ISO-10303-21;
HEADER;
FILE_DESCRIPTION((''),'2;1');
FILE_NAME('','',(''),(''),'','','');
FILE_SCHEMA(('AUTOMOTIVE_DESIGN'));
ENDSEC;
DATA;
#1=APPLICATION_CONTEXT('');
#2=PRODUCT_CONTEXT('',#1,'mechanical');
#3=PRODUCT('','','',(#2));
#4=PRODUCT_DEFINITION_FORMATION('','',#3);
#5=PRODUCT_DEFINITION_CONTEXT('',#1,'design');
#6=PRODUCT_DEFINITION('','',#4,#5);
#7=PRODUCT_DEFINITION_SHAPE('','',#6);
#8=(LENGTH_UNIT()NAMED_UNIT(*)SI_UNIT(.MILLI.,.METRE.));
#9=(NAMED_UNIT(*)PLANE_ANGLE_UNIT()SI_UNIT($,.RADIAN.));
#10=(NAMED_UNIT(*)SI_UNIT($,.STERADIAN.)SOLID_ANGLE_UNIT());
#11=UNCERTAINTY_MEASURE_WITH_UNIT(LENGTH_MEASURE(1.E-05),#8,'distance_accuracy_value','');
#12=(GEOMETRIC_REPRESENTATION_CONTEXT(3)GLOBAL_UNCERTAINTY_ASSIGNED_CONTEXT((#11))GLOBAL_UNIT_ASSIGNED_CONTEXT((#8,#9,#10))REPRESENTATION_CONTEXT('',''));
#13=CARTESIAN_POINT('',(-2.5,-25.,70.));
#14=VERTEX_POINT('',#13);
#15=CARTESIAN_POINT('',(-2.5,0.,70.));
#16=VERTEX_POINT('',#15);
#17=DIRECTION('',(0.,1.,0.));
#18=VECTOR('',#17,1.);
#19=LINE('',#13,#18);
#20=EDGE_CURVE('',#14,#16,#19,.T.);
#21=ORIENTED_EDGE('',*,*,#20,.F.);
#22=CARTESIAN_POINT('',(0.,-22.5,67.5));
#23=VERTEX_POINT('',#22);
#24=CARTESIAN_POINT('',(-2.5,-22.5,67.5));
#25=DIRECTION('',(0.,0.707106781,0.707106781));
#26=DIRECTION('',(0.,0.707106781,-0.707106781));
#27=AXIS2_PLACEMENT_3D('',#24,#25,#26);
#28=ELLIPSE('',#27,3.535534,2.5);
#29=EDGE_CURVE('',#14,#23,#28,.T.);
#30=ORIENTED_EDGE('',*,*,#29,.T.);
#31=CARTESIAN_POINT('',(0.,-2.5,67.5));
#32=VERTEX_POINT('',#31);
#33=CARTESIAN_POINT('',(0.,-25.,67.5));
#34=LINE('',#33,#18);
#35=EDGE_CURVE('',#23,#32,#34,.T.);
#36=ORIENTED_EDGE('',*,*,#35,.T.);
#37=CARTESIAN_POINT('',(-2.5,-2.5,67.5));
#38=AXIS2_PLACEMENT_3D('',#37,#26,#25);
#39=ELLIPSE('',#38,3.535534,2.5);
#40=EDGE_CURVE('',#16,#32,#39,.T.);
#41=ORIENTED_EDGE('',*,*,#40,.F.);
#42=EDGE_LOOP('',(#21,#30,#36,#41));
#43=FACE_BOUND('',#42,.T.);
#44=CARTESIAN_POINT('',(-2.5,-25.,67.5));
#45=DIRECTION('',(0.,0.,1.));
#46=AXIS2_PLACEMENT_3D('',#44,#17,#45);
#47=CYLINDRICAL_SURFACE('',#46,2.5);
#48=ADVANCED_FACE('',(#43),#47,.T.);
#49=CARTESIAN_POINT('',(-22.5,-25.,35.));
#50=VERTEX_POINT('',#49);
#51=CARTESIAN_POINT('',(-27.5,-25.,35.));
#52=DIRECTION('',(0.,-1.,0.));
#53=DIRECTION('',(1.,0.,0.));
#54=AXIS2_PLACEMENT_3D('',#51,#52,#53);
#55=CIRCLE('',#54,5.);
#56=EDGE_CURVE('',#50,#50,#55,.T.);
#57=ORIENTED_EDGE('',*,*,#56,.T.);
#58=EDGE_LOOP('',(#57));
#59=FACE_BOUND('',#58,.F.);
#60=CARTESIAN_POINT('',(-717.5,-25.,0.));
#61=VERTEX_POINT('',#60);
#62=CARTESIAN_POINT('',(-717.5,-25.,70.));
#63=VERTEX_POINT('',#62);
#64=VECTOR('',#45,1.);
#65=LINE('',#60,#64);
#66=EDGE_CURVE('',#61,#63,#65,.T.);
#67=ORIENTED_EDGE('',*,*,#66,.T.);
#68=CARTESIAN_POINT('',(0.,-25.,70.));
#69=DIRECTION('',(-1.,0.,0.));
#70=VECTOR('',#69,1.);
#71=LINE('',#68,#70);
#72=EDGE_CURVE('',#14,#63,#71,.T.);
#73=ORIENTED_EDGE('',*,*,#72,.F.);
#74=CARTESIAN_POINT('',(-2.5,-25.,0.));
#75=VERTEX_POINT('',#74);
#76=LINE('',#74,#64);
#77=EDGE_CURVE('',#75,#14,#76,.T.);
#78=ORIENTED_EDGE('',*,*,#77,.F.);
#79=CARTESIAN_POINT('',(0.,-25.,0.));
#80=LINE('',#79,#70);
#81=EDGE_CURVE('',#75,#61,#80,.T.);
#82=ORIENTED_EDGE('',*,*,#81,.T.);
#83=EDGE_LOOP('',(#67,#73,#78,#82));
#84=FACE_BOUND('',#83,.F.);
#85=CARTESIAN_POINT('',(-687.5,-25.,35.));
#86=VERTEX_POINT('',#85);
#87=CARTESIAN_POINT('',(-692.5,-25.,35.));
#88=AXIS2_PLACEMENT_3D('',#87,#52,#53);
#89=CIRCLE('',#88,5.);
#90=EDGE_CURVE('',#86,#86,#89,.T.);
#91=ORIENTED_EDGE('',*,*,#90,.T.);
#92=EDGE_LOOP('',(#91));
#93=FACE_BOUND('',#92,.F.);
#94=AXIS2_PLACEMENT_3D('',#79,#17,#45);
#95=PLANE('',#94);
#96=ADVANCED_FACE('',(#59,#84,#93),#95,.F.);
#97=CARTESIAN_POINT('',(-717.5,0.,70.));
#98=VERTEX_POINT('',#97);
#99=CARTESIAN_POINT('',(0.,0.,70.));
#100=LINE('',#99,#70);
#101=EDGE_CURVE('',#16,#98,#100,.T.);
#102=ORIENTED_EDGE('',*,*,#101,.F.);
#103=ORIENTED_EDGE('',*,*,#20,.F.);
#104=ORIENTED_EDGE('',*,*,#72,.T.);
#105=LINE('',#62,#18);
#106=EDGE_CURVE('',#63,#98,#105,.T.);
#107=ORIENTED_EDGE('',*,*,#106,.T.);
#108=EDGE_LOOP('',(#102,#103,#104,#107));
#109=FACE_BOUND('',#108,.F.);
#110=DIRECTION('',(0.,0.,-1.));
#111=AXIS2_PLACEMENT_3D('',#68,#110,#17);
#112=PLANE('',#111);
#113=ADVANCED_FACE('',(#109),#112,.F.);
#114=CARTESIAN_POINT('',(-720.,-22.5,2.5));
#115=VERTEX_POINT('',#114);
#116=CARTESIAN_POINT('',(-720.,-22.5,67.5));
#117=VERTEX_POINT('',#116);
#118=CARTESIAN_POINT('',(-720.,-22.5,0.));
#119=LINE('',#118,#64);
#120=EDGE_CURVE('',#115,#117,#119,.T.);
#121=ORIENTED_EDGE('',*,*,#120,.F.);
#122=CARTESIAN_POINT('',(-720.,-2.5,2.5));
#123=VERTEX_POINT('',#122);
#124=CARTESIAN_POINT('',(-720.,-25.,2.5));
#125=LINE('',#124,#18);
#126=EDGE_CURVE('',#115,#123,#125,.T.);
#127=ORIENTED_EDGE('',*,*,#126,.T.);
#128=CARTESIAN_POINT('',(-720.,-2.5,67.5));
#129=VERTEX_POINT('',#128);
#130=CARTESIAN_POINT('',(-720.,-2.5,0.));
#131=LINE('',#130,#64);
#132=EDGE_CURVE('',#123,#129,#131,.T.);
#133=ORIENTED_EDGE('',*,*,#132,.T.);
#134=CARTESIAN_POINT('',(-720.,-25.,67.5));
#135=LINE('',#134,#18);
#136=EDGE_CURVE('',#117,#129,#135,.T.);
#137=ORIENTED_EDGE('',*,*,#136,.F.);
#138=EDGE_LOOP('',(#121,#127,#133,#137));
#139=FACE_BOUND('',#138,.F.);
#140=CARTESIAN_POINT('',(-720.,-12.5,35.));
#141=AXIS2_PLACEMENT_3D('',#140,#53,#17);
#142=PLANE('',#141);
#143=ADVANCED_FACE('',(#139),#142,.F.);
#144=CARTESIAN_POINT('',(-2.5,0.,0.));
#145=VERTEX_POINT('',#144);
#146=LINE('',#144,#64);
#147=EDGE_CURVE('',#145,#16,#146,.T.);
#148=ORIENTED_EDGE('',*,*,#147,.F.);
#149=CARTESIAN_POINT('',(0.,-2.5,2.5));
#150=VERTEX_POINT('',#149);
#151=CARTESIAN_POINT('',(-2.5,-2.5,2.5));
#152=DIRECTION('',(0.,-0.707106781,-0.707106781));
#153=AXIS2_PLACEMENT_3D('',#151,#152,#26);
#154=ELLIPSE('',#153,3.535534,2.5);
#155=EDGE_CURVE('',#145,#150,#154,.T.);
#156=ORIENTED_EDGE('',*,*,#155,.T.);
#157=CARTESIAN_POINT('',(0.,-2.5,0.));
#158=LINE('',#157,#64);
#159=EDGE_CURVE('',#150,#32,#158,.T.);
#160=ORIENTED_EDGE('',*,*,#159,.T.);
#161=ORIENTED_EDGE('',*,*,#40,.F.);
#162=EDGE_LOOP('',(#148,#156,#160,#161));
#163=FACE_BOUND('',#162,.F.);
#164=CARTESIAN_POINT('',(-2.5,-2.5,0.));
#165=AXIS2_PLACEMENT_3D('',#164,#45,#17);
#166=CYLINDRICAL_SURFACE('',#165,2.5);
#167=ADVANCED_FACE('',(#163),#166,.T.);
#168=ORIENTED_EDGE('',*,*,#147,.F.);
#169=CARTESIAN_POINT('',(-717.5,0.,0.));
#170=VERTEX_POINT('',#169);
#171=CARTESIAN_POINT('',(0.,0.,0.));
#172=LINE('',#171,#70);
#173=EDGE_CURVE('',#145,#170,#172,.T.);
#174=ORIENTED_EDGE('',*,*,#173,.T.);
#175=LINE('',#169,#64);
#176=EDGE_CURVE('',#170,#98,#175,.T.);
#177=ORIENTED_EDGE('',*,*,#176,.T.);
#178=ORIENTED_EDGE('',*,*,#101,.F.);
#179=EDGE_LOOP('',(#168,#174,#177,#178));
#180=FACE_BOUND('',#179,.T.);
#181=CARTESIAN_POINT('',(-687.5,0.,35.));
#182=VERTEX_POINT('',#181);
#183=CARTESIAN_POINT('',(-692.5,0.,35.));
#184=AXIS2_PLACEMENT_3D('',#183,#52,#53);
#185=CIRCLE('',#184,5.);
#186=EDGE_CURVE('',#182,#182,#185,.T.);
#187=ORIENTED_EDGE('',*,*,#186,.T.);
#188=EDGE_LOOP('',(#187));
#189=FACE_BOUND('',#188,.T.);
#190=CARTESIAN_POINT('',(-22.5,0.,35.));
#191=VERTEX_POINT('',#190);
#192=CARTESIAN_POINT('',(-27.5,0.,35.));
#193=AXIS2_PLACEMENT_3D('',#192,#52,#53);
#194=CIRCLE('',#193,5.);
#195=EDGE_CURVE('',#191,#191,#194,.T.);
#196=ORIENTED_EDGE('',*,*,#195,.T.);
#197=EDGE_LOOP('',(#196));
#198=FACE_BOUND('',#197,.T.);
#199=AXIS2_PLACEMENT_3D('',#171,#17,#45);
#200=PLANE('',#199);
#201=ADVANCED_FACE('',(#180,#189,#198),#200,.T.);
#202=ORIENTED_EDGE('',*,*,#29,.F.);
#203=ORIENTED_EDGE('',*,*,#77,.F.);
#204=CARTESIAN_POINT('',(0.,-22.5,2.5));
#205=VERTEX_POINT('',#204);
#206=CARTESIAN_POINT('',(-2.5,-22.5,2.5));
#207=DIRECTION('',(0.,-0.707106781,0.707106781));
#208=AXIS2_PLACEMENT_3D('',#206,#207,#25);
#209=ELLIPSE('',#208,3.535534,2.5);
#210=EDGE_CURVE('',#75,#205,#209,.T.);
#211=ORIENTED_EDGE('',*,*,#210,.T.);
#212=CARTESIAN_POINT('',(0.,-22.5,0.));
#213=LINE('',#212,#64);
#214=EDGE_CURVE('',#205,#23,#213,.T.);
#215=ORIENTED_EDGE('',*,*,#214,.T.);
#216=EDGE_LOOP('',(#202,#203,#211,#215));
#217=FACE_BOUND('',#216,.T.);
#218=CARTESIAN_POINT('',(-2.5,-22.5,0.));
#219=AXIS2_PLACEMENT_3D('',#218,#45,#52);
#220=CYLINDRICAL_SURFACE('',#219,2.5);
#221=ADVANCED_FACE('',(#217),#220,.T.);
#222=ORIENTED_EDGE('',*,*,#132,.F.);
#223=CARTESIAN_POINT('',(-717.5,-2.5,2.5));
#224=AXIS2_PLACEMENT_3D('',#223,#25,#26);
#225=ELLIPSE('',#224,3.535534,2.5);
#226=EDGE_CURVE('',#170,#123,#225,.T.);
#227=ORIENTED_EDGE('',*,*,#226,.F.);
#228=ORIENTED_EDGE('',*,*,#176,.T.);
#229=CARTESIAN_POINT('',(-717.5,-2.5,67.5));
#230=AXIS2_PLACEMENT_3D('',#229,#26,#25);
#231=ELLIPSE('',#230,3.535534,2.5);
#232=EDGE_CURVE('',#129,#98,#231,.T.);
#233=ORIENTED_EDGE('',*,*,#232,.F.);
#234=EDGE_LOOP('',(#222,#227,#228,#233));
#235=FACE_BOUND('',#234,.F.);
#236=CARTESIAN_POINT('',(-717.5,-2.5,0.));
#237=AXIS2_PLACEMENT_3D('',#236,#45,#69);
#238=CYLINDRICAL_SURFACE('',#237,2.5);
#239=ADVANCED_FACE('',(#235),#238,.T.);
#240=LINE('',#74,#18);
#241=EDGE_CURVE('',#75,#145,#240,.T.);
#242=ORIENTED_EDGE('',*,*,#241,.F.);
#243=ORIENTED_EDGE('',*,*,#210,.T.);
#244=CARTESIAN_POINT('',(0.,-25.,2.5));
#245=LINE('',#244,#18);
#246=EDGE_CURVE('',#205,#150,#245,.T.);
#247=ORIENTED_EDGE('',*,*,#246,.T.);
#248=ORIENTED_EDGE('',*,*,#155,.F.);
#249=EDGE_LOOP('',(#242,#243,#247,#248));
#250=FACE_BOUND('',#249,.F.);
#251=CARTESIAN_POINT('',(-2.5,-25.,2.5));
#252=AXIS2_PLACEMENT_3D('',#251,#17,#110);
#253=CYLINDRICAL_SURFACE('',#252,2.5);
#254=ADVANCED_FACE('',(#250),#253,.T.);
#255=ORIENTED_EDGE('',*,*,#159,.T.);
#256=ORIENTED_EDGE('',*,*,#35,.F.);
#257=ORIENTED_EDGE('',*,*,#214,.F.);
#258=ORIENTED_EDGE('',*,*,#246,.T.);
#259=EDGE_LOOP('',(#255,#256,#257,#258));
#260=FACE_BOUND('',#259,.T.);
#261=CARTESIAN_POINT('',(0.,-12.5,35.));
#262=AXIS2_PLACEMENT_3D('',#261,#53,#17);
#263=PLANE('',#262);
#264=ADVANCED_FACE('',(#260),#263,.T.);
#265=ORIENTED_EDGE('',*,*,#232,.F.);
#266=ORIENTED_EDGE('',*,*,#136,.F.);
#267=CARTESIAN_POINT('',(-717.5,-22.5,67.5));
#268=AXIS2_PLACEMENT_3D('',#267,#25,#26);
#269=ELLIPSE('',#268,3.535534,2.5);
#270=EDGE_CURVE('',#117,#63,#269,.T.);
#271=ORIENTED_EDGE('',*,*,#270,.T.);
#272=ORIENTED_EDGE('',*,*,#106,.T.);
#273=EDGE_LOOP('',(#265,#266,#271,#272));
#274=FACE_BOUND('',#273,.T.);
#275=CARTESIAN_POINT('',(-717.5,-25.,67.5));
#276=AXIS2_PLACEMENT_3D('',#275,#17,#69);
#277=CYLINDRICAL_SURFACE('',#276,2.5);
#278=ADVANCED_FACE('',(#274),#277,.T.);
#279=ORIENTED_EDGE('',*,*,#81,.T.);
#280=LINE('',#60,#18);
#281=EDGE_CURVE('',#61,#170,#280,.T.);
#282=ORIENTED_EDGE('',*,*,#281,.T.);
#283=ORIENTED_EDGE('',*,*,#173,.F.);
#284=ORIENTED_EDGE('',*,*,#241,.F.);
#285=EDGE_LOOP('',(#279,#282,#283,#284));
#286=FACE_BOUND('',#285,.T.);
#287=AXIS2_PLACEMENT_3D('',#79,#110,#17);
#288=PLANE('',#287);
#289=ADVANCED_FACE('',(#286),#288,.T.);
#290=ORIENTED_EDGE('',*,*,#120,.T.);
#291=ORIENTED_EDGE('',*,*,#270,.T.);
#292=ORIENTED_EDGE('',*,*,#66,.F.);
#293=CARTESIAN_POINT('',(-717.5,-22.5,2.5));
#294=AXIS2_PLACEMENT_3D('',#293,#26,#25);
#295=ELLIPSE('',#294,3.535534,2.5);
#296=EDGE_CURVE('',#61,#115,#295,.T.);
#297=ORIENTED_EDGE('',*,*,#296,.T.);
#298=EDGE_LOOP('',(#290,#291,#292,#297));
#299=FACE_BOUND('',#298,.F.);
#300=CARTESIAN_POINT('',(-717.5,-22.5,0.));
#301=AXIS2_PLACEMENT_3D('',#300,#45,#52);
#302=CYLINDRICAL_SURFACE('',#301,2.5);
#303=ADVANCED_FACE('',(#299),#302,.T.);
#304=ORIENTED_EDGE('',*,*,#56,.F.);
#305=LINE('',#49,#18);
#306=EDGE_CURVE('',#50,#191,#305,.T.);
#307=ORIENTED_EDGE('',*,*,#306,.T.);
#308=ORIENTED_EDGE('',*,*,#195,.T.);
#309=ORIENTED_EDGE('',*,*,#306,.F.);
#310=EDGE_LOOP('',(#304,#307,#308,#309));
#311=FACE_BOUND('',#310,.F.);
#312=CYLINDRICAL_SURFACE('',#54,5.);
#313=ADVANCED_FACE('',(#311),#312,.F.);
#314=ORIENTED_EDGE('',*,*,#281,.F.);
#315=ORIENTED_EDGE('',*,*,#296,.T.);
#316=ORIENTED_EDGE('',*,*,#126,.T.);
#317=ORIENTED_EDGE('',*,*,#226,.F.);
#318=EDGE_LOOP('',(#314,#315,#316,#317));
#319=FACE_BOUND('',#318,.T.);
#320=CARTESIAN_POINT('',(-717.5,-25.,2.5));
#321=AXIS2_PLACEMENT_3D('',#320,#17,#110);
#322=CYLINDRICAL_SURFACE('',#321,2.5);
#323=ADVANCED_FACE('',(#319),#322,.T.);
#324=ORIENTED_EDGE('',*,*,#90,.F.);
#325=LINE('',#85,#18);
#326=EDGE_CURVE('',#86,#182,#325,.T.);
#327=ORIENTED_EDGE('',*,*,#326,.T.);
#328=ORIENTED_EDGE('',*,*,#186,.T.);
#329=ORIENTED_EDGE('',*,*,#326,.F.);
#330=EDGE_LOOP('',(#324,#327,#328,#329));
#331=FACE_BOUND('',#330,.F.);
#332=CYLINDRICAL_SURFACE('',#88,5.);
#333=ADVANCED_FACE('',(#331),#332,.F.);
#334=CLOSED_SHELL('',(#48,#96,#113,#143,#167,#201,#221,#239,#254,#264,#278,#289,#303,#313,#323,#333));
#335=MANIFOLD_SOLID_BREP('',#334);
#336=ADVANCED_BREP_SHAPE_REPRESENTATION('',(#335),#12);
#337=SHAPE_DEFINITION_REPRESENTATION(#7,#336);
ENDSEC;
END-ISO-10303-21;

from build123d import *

# Parameters (mm, degrees)
F0_W     = 25
F0_H     = 70
F1_DEPTH = 720
F2_R     = 2.5
F3_R     = 2.5
F4_R     = 5
F5_DEPTH = 25.001


with BuildPart() as f1:
    # F0 (on Right) → F1 (new body)
    with BuildSketch(Plane.YZ):
        with Locations((-12.5, 35)):
            Rectangle(F0_W, F0_H)
    extrude(amount=-F1_DEPTH)

    # F2
    f2_edges = [f1.edges().sort_by_distance(p)[0] for p in [
        (0, -12.5, 0),
        (0, 0, 35),
        (0, -12.5, 70),
        (0, -25, 35),
    ]]
    fillet(f2_edges, radius=F2_R)

    # F3
    f3_edges = [f1.edges().sort_by_distance(p)[0] for p in [
        (-720, -12.5, 0),
        (-720, 0, 35),
        (-720, -12.5, 70),
        (-720, -25, 35),
    ]]
    fillet(f3_edges, radius=F3_R)

    # F4 (on face) → F5 (cut, through all)
    with BuildSketch(Plane.XZ.offset(25)):
        with Locations((-692.5, 35)):
            Circle(F4_R)
        with Locations((-27.5, 35)):
            Circle(F4_R)
    extrude(amount=-F5_DEPTH, mode=Mode.SUBTRACT)


solid = f1.part
